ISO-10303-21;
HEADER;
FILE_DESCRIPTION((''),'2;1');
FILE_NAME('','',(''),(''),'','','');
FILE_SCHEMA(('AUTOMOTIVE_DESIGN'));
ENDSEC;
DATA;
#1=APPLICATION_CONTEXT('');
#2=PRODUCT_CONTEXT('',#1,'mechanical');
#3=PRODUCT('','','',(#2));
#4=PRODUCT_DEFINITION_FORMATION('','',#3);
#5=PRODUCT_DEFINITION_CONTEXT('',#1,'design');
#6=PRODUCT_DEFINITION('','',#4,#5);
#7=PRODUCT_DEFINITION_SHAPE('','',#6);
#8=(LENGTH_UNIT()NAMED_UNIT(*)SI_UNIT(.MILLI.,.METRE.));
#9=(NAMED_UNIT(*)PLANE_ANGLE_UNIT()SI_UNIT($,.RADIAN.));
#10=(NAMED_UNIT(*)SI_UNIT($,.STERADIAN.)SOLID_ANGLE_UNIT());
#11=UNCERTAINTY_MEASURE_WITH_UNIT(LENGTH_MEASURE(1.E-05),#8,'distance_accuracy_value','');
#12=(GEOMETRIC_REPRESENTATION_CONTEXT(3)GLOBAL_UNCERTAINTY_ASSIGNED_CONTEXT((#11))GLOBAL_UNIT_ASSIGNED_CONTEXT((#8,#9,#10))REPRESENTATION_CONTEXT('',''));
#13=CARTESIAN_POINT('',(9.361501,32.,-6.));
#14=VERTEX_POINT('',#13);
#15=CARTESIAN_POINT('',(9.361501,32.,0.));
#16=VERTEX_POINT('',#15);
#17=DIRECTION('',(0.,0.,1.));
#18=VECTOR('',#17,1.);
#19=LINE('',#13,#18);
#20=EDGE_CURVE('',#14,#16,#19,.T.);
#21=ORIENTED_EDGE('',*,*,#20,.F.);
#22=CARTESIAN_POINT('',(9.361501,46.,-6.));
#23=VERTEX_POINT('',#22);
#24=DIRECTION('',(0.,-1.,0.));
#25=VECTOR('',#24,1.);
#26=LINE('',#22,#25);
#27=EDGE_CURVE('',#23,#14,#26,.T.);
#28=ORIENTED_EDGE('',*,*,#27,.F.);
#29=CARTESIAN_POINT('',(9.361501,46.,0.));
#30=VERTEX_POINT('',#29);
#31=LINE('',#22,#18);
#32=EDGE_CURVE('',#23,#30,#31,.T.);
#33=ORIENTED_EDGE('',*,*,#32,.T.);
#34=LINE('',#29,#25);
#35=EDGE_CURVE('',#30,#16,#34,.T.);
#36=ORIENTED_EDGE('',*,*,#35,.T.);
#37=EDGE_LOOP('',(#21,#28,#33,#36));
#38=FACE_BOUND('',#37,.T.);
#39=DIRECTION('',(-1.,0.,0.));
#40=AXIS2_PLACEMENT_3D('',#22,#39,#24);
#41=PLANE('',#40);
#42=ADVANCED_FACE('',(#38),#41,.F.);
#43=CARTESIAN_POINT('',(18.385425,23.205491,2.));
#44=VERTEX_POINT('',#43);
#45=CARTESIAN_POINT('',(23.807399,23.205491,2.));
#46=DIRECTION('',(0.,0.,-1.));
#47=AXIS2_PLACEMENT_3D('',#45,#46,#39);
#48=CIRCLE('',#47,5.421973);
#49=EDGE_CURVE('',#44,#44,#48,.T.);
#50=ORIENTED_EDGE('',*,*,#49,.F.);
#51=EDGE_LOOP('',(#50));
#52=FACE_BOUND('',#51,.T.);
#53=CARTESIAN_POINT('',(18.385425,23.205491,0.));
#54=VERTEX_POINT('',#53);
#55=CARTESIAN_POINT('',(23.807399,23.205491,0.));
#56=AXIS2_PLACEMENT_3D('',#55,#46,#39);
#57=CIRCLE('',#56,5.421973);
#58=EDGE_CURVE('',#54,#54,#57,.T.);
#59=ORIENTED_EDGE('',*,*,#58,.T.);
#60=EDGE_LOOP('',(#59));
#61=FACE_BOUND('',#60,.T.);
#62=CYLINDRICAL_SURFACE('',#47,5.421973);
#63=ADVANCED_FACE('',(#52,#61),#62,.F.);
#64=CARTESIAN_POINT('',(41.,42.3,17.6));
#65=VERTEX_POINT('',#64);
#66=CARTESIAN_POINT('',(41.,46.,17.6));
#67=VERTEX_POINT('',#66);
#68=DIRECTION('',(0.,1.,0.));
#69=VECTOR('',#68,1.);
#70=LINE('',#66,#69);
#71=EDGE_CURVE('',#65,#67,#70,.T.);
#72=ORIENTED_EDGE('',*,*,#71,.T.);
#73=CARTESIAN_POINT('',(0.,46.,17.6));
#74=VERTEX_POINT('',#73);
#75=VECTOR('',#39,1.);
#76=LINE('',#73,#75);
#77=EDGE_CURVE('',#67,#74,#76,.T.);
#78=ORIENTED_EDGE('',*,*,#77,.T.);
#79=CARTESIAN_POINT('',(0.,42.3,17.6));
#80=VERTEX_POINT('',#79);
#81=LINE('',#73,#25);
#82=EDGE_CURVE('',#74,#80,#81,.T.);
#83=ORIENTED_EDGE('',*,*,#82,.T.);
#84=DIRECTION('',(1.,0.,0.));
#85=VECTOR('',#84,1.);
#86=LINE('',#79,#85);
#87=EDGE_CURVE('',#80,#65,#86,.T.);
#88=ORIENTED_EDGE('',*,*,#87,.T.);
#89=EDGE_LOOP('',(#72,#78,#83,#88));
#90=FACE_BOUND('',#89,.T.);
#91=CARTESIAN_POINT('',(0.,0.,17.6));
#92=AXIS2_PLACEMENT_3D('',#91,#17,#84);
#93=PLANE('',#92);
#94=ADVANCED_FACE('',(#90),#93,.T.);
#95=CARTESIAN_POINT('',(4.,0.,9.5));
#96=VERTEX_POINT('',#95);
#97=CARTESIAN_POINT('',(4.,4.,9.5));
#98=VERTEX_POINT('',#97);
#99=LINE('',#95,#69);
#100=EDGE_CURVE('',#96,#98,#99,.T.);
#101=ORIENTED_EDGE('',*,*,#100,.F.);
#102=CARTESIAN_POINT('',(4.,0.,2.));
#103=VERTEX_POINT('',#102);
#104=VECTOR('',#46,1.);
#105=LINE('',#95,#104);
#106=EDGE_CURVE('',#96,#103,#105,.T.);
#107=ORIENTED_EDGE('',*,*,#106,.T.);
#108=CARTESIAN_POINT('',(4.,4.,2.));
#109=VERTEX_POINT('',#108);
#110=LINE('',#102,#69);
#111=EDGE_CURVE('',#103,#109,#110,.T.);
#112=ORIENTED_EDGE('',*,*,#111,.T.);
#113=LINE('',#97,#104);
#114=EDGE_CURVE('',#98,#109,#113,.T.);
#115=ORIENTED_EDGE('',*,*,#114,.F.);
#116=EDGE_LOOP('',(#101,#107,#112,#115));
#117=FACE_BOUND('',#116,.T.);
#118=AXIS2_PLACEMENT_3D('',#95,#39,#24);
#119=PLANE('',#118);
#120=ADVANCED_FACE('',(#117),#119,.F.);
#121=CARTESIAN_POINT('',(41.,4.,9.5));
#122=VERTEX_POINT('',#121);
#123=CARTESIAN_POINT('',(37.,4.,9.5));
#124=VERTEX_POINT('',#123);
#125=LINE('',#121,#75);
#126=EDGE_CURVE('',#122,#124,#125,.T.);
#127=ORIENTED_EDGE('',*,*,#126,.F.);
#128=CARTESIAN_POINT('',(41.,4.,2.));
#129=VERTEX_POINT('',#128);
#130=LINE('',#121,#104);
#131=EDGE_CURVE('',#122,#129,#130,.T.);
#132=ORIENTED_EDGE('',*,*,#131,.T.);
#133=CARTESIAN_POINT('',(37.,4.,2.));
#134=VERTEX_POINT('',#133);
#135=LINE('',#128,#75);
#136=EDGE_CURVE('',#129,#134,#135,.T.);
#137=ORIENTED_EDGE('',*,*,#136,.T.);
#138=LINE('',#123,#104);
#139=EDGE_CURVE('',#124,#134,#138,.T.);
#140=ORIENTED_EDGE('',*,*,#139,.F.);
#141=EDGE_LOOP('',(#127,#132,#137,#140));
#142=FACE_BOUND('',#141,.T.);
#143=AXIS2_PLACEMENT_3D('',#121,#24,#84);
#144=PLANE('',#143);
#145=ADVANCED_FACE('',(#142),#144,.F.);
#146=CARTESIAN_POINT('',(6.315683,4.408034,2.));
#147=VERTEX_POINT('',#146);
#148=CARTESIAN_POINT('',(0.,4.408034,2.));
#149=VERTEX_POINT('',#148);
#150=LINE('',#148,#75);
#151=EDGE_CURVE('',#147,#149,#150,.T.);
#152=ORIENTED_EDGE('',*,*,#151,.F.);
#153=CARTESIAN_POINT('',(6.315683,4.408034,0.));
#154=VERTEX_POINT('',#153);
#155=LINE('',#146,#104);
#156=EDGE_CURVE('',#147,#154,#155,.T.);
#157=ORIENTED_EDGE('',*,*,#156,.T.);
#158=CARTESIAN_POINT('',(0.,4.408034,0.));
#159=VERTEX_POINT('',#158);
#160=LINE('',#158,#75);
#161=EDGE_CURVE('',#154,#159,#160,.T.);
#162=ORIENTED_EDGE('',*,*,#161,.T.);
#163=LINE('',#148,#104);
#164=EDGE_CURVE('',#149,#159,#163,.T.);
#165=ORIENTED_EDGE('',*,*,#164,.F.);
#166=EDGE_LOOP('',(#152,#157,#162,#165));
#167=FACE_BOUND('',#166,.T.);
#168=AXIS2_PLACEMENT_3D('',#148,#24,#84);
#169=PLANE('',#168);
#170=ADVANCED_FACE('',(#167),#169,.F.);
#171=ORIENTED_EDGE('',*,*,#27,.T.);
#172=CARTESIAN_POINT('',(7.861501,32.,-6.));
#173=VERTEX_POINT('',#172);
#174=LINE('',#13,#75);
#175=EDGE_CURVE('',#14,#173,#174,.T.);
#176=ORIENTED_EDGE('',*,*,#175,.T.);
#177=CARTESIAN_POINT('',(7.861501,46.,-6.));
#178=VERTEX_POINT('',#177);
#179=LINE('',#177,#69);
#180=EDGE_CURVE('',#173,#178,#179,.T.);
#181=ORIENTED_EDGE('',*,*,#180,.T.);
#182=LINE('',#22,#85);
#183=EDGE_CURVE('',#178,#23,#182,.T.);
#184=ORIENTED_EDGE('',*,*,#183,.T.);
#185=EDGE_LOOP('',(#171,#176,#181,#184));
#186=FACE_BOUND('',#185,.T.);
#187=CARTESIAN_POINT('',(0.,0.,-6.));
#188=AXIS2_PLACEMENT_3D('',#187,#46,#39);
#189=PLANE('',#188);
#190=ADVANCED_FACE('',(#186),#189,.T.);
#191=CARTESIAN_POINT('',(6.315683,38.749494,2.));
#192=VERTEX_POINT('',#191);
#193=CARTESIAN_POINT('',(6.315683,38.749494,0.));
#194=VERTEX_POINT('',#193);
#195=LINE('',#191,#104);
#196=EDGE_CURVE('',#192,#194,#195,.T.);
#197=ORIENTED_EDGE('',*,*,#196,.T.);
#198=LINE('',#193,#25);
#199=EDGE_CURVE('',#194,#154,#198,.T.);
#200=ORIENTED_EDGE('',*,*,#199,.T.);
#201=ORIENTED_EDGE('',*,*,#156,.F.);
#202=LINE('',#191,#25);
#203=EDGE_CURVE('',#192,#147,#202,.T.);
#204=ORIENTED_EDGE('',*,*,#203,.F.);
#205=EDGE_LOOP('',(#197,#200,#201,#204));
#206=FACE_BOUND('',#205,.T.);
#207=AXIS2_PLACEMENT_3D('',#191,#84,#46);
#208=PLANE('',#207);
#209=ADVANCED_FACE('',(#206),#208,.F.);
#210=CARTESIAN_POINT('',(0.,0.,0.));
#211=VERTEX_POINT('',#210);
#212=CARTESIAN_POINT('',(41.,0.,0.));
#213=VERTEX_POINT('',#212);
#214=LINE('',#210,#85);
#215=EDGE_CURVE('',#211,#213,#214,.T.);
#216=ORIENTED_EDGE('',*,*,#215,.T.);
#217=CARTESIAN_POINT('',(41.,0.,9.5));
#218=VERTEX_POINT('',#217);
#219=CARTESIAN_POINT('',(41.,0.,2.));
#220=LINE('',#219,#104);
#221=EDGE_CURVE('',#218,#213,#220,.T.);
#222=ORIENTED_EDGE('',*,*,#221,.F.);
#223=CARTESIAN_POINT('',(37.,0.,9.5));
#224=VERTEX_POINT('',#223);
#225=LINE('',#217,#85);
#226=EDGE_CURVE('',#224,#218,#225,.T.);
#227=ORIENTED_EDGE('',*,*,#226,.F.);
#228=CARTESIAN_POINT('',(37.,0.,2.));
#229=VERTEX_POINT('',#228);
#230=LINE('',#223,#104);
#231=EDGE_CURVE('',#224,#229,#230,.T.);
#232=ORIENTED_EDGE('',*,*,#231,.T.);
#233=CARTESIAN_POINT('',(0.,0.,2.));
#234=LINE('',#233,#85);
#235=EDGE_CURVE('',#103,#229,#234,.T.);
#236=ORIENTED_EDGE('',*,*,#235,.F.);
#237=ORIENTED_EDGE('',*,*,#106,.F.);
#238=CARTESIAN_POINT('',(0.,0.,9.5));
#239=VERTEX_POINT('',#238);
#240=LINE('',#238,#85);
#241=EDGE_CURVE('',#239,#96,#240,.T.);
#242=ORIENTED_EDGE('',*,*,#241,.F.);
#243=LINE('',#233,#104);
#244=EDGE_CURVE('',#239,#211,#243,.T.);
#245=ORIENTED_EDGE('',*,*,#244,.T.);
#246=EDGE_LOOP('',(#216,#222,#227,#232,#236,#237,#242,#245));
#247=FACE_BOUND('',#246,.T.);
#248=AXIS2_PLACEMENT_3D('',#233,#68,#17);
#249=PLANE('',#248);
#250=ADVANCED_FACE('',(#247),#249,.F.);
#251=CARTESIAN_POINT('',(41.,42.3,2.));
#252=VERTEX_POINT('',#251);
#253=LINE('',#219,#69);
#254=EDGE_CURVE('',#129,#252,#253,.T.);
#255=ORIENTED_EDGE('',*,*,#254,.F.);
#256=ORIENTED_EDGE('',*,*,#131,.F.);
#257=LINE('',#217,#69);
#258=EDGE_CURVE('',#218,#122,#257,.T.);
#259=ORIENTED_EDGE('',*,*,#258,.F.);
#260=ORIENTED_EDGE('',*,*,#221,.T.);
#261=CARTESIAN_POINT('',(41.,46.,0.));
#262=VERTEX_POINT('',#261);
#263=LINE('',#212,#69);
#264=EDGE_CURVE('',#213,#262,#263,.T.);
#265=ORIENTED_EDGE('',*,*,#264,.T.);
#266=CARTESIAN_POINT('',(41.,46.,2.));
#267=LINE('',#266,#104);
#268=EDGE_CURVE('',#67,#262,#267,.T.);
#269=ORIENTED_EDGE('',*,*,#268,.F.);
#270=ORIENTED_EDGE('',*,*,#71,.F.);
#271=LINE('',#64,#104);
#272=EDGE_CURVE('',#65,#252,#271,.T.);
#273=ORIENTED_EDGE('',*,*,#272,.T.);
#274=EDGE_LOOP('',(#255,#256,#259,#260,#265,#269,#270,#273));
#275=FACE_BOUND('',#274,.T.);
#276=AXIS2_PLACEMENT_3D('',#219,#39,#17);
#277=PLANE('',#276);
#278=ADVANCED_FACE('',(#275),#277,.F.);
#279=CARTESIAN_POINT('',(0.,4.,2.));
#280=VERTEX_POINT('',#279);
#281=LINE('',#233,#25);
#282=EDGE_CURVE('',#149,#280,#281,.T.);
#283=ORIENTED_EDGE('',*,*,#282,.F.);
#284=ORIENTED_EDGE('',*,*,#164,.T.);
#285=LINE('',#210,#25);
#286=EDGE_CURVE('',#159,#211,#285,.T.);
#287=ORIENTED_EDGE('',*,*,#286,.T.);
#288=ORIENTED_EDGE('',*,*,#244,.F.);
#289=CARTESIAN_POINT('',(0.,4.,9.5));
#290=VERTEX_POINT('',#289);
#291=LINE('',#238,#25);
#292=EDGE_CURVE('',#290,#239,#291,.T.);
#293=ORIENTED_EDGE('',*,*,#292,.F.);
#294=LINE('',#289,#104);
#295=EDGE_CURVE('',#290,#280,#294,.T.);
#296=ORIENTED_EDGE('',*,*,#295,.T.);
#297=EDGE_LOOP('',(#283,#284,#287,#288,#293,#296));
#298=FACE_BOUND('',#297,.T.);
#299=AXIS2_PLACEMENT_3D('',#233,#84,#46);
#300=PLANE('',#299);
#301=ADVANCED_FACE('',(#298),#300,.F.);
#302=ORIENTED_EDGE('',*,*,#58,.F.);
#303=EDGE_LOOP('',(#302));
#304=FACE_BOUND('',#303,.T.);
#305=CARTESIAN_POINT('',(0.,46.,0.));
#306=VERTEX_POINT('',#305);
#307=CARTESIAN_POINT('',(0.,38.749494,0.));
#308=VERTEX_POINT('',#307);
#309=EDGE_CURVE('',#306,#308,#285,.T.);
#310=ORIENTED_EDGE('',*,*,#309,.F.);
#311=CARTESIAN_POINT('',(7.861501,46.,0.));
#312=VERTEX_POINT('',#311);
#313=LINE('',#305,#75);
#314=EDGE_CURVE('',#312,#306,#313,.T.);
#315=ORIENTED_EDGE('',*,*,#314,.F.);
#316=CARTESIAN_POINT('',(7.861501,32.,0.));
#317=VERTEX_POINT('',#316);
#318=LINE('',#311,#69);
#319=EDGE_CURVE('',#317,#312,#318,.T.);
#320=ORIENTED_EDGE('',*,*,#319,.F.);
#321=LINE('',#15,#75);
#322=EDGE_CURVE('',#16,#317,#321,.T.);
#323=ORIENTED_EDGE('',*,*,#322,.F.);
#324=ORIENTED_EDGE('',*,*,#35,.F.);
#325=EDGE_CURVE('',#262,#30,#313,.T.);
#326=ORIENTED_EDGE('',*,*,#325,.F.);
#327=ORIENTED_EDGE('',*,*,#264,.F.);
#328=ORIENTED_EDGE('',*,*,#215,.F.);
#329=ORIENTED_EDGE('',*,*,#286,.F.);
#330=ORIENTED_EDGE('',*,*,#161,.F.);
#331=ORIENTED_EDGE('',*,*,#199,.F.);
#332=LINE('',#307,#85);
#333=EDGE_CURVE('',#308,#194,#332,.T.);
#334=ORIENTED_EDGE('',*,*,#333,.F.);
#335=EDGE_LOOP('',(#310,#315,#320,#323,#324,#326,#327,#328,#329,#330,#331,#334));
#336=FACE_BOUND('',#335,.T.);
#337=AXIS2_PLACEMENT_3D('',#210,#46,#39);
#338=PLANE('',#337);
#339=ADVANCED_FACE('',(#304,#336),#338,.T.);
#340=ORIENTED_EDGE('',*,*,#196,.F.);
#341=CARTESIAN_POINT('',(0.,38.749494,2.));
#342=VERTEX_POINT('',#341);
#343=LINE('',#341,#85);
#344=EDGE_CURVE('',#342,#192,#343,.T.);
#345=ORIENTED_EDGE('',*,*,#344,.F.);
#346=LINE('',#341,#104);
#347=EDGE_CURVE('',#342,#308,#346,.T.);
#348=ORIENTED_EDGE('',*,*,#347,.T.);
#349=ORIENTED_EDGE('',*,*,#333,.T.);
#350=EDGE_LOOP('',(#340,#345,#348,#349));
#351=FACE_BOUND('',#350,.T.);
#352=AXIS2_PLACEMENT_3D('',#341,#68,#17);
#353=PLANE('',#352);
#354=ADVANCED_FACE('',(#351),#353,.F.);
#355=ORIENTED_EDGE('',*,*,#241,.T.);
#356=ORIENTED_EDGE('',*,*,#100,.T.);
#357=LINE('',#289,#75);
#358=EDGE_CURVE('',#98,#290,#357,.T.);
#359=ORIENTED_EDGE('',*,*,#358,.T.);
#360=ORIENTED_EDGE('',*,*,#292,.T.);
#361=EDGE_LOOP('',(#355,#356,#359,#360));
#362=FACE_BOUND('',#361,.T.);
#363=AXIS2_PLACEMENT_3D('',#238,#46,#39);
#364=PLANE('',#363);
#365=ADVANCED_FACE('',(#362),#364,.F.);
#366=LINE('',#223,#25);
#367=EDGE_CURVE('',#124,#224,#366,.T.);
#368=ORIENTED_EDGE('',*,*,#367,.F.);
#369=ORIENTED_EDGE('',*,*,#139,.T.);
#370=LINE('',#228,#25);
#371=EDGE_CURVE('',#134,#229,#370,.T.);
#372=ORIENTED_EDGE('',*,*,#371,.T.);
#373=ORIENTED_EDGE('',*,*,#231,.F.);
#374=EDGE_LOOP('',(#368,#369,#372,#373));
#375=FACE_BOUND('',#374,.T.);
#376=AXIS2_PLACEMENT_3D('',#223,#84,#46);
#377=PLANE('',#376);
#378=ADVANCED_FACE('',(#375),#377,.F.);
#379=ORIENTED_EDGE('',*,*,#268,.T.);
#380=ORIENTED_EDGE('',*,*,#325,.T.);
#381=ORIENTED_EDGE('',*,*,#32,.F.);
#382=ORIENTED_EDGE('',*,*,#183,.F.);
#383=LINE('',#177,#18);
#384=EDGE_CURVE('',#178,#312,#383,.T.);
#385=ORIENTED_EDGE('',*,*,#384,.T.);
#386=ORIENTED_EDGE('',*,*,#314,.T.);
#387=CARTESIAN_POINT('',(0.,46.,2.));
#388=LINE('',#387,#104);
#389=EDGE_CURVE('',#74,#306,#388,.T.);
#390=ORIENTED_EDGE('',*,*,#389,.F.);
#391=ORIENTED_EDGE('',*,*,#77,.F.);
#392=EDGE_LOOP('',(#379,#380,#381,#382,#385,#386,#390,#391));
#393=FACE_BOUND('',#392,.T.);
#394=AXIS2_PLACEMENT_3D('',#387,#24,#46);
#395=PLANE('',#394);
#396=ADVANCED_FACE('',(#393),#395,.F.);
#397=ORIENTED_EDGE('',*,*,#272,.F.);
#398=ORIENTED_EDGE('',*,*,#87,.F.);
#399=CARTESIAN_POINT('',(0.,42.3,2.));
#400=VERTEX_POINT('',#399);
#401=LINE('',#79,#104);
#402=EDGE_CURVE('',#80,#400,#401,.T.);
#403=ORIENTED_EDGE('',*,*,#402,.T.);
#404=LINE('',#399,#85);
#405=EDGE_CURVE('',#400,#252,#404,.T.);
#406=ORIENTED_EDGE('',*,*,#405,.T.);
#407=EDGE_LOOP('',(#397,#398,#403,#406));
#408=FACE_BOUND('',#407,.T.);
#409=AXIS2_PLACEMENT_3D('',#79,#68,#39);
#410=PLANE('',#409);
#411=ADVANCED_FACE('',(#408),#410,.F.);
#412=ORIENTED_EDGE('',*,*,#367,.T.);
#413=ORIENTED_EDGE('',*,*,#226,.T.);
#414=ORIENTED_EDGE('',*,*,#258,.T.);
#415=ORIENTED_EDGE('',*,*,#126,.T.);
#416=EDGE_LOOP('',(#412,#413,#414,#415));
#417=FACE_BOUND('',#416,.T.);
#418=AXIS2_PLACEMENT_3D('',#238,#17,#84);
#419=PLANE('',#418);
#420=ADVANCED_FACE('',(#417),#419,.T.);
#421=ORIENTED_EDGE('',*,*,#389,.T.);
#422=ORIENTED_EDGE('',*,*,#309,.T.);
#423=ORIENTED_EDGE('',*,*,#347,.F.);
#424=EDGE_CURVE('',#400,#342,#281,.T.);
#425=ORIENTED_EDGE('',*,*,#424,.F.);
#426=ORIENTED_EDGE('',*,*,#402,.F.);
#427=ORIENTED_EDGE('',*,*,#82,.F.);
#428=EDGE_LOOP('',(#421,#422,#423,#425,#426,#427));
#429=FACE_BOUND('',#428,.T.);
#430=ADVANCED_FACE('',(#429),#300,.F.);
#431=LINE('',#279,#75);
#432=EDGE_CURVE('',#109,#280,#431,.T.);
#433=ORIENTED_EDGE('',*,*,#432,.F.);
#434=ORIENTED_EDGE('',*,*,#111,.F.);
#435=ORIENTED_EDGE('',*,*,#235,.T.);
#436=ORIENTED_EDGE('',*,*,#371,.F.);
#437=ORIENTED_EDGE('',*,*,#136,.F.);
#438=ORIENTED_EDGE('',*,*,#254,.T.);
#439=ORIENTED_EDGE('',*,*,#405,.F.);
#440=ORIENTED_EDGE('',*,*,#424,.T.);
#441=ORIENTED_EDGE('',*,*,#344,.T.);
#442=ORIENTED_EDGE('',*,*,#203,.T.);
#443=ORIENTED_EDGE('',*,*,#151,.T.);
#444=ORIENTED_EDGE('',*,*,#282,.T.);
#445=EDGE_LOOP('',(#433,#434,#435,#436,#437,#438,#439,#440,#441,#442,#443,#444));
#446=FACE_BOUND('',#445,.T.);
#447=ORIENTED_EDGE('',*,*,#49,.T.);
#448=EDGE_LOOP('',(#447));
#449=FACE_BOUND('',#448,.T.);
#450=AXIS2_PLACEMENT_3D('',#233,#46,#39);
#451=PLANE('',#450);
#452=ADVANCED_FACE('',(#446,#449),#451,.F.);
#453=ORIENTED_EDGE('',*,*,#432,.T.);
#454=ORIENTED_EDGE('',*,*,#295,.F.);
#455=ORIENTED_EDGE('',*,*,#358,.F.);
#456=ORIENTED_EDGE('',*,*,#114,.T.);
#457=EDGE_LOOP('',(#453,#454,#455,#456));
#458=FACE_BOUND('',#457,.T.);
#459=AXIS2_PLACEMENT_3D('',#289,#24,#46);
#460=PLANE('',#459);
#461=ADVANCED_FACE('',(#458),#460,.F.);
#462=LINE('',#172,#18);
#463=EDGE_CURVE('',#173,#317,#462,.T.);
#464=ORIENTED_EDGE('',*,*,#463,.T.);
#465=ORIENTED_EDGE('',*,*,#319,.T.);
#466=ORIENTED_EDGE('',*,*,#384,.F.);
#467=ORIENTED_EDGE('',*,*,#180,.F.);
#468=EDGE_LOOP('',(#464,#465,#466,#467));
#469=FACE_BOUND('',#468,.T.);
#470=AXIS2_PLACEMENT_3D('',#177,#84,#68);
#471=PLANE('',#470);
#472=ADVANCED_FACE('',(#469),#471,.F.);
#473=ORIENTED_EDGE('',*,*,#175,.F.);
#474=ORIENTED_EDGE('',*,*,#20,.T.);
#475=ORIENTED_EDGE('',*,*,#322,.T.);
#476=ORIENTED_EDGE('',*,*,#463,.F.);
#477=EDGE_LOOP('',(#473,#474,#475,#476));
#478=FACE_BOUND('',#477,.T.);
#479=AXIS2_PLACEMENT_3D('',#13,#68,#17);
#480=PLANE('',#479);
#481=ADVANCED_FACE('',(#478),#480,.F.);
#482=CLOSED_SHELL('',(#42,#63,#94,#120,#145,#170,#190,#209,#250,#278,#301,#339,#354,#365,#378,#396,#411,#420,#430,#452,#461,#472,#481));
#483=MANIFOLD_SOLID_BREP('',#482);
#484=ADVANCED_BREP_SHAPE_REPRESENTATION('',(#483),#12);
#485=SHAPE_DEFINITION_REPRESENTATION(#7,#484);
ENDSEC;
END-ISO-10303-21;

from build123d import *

# Parameters (mm, degrees)
SCHIZZO1_W                   = 41
SCHIZZO1_H                   = 46
ESTRUSIONE_ESTRUSIONE1_DEPTH = 2
SCHIZZO2_W                   = 4
SCHIZZO2_H                   = 4
ESTRUSIONE_ESTRUSIONE2_DEPTH = 7.5
SCHIZZO3_W                   = 41
SCHIZZO3_H                   = 3.7
ESTRUSIONE_ESTRUSIONE3_DEPTH = 15.6
SCHIZZO4_W                   = 6.315683346
SCHIZZO4_H                   = 34.34145986
TAGLIO_ESTRUSIONE1_DEPTH     = 2
SCHIZZO5_W                   = 1.5
SCHIZZO5_H                   = 14
ESTRUSIONE_ESTRUSIONE4_DEPTH = 6
SCHIZZO7_R                   = 5.421973109
TAGLIO_ESTRUSIONE3_DEPTH     = 2


with BuildPart() as part:
    # Schizzo1 → Estrusione-Estrusione1 (new body)
    with BuildSketch(Plane.XY):
        with Locations((20.5, 23)):
            Rectangle(SCHIZZO1_W, SCHIZZO1_H)
    extrude(amount=ESTRUSIONE_ESTRUSIONE1_DEPTH)

    # Schizzo2 → Estrusione-Estrusione2 (add)
    with BuildSketch(Plane.XY.offset(2)):
        with Locations((2, 2)):
            Rectangle(SCHIZZO2_W, SCHIZZO2_H)
        with Locations((39, 2)):
            Rectangle(SCHIZZO2_W, SCHIZZO2_H)
    extrude(amount=ESTRUSIONE_ESTRUSIONE2_DEPTH)

    # Schizzo3 → Estrusione-Estrusione3 (add)
    with BuildSketch(Plane.XY.offset(2)):
        with Locations((20.5, 44.15)):
            Rectangle(SCHIZZO3_W, SCHIZZO3_H)
    extrude(amount=ESTRUSIONE_ESTRUSIONE3_DEPTH)

    # Schizzo4 → Taglio-Estrusione1 (cut)
    with BuildSketch(Plane(origin=(0, 0, 0), x_dir=(-1, 0, 0), z_dir=(0, 0, -1))):
        with Locations((-3.157841673, 21.578763697)):
            Rectangle(SCHIZZO4_W, SCHIZZO4_H)
    extrude(amount=-TAGLIO_ESTRUSIONE1_DEPTH, mode=Mode.SUBTRACT)

    # Schizzo5 → Estrusione-Estrusione4 (add)
    with BuildSketch(Plane(origin=(0, 0, 0), x_dir=(-1, 0, 0), z_dir=(0, 0, -1))):
        with Locations((-8.611501058, 39)):
            Rectangle(SCHIZZO5_W, SCHIZZO5_H)
    extrude(amount=ESTRUSIONE_ESTRUSIONE4_DEPTH)

    # Schizzo7 → Taglio-Estrusione3 (cut)
    with BuildSketch(Plane(origin=(0, 0, 0), x_dir=(-1, 0, 0), z_dir=(0, 0, -1))):
        with Locations((-23.8073986, 23.20549075)):
            Circle(SCHIZZO7_R)
    extrude(amount=-TAGLIO_ESTRUSIONE3_DEPTH, mode=Mode.SUBTRACT)


solid = part.part
